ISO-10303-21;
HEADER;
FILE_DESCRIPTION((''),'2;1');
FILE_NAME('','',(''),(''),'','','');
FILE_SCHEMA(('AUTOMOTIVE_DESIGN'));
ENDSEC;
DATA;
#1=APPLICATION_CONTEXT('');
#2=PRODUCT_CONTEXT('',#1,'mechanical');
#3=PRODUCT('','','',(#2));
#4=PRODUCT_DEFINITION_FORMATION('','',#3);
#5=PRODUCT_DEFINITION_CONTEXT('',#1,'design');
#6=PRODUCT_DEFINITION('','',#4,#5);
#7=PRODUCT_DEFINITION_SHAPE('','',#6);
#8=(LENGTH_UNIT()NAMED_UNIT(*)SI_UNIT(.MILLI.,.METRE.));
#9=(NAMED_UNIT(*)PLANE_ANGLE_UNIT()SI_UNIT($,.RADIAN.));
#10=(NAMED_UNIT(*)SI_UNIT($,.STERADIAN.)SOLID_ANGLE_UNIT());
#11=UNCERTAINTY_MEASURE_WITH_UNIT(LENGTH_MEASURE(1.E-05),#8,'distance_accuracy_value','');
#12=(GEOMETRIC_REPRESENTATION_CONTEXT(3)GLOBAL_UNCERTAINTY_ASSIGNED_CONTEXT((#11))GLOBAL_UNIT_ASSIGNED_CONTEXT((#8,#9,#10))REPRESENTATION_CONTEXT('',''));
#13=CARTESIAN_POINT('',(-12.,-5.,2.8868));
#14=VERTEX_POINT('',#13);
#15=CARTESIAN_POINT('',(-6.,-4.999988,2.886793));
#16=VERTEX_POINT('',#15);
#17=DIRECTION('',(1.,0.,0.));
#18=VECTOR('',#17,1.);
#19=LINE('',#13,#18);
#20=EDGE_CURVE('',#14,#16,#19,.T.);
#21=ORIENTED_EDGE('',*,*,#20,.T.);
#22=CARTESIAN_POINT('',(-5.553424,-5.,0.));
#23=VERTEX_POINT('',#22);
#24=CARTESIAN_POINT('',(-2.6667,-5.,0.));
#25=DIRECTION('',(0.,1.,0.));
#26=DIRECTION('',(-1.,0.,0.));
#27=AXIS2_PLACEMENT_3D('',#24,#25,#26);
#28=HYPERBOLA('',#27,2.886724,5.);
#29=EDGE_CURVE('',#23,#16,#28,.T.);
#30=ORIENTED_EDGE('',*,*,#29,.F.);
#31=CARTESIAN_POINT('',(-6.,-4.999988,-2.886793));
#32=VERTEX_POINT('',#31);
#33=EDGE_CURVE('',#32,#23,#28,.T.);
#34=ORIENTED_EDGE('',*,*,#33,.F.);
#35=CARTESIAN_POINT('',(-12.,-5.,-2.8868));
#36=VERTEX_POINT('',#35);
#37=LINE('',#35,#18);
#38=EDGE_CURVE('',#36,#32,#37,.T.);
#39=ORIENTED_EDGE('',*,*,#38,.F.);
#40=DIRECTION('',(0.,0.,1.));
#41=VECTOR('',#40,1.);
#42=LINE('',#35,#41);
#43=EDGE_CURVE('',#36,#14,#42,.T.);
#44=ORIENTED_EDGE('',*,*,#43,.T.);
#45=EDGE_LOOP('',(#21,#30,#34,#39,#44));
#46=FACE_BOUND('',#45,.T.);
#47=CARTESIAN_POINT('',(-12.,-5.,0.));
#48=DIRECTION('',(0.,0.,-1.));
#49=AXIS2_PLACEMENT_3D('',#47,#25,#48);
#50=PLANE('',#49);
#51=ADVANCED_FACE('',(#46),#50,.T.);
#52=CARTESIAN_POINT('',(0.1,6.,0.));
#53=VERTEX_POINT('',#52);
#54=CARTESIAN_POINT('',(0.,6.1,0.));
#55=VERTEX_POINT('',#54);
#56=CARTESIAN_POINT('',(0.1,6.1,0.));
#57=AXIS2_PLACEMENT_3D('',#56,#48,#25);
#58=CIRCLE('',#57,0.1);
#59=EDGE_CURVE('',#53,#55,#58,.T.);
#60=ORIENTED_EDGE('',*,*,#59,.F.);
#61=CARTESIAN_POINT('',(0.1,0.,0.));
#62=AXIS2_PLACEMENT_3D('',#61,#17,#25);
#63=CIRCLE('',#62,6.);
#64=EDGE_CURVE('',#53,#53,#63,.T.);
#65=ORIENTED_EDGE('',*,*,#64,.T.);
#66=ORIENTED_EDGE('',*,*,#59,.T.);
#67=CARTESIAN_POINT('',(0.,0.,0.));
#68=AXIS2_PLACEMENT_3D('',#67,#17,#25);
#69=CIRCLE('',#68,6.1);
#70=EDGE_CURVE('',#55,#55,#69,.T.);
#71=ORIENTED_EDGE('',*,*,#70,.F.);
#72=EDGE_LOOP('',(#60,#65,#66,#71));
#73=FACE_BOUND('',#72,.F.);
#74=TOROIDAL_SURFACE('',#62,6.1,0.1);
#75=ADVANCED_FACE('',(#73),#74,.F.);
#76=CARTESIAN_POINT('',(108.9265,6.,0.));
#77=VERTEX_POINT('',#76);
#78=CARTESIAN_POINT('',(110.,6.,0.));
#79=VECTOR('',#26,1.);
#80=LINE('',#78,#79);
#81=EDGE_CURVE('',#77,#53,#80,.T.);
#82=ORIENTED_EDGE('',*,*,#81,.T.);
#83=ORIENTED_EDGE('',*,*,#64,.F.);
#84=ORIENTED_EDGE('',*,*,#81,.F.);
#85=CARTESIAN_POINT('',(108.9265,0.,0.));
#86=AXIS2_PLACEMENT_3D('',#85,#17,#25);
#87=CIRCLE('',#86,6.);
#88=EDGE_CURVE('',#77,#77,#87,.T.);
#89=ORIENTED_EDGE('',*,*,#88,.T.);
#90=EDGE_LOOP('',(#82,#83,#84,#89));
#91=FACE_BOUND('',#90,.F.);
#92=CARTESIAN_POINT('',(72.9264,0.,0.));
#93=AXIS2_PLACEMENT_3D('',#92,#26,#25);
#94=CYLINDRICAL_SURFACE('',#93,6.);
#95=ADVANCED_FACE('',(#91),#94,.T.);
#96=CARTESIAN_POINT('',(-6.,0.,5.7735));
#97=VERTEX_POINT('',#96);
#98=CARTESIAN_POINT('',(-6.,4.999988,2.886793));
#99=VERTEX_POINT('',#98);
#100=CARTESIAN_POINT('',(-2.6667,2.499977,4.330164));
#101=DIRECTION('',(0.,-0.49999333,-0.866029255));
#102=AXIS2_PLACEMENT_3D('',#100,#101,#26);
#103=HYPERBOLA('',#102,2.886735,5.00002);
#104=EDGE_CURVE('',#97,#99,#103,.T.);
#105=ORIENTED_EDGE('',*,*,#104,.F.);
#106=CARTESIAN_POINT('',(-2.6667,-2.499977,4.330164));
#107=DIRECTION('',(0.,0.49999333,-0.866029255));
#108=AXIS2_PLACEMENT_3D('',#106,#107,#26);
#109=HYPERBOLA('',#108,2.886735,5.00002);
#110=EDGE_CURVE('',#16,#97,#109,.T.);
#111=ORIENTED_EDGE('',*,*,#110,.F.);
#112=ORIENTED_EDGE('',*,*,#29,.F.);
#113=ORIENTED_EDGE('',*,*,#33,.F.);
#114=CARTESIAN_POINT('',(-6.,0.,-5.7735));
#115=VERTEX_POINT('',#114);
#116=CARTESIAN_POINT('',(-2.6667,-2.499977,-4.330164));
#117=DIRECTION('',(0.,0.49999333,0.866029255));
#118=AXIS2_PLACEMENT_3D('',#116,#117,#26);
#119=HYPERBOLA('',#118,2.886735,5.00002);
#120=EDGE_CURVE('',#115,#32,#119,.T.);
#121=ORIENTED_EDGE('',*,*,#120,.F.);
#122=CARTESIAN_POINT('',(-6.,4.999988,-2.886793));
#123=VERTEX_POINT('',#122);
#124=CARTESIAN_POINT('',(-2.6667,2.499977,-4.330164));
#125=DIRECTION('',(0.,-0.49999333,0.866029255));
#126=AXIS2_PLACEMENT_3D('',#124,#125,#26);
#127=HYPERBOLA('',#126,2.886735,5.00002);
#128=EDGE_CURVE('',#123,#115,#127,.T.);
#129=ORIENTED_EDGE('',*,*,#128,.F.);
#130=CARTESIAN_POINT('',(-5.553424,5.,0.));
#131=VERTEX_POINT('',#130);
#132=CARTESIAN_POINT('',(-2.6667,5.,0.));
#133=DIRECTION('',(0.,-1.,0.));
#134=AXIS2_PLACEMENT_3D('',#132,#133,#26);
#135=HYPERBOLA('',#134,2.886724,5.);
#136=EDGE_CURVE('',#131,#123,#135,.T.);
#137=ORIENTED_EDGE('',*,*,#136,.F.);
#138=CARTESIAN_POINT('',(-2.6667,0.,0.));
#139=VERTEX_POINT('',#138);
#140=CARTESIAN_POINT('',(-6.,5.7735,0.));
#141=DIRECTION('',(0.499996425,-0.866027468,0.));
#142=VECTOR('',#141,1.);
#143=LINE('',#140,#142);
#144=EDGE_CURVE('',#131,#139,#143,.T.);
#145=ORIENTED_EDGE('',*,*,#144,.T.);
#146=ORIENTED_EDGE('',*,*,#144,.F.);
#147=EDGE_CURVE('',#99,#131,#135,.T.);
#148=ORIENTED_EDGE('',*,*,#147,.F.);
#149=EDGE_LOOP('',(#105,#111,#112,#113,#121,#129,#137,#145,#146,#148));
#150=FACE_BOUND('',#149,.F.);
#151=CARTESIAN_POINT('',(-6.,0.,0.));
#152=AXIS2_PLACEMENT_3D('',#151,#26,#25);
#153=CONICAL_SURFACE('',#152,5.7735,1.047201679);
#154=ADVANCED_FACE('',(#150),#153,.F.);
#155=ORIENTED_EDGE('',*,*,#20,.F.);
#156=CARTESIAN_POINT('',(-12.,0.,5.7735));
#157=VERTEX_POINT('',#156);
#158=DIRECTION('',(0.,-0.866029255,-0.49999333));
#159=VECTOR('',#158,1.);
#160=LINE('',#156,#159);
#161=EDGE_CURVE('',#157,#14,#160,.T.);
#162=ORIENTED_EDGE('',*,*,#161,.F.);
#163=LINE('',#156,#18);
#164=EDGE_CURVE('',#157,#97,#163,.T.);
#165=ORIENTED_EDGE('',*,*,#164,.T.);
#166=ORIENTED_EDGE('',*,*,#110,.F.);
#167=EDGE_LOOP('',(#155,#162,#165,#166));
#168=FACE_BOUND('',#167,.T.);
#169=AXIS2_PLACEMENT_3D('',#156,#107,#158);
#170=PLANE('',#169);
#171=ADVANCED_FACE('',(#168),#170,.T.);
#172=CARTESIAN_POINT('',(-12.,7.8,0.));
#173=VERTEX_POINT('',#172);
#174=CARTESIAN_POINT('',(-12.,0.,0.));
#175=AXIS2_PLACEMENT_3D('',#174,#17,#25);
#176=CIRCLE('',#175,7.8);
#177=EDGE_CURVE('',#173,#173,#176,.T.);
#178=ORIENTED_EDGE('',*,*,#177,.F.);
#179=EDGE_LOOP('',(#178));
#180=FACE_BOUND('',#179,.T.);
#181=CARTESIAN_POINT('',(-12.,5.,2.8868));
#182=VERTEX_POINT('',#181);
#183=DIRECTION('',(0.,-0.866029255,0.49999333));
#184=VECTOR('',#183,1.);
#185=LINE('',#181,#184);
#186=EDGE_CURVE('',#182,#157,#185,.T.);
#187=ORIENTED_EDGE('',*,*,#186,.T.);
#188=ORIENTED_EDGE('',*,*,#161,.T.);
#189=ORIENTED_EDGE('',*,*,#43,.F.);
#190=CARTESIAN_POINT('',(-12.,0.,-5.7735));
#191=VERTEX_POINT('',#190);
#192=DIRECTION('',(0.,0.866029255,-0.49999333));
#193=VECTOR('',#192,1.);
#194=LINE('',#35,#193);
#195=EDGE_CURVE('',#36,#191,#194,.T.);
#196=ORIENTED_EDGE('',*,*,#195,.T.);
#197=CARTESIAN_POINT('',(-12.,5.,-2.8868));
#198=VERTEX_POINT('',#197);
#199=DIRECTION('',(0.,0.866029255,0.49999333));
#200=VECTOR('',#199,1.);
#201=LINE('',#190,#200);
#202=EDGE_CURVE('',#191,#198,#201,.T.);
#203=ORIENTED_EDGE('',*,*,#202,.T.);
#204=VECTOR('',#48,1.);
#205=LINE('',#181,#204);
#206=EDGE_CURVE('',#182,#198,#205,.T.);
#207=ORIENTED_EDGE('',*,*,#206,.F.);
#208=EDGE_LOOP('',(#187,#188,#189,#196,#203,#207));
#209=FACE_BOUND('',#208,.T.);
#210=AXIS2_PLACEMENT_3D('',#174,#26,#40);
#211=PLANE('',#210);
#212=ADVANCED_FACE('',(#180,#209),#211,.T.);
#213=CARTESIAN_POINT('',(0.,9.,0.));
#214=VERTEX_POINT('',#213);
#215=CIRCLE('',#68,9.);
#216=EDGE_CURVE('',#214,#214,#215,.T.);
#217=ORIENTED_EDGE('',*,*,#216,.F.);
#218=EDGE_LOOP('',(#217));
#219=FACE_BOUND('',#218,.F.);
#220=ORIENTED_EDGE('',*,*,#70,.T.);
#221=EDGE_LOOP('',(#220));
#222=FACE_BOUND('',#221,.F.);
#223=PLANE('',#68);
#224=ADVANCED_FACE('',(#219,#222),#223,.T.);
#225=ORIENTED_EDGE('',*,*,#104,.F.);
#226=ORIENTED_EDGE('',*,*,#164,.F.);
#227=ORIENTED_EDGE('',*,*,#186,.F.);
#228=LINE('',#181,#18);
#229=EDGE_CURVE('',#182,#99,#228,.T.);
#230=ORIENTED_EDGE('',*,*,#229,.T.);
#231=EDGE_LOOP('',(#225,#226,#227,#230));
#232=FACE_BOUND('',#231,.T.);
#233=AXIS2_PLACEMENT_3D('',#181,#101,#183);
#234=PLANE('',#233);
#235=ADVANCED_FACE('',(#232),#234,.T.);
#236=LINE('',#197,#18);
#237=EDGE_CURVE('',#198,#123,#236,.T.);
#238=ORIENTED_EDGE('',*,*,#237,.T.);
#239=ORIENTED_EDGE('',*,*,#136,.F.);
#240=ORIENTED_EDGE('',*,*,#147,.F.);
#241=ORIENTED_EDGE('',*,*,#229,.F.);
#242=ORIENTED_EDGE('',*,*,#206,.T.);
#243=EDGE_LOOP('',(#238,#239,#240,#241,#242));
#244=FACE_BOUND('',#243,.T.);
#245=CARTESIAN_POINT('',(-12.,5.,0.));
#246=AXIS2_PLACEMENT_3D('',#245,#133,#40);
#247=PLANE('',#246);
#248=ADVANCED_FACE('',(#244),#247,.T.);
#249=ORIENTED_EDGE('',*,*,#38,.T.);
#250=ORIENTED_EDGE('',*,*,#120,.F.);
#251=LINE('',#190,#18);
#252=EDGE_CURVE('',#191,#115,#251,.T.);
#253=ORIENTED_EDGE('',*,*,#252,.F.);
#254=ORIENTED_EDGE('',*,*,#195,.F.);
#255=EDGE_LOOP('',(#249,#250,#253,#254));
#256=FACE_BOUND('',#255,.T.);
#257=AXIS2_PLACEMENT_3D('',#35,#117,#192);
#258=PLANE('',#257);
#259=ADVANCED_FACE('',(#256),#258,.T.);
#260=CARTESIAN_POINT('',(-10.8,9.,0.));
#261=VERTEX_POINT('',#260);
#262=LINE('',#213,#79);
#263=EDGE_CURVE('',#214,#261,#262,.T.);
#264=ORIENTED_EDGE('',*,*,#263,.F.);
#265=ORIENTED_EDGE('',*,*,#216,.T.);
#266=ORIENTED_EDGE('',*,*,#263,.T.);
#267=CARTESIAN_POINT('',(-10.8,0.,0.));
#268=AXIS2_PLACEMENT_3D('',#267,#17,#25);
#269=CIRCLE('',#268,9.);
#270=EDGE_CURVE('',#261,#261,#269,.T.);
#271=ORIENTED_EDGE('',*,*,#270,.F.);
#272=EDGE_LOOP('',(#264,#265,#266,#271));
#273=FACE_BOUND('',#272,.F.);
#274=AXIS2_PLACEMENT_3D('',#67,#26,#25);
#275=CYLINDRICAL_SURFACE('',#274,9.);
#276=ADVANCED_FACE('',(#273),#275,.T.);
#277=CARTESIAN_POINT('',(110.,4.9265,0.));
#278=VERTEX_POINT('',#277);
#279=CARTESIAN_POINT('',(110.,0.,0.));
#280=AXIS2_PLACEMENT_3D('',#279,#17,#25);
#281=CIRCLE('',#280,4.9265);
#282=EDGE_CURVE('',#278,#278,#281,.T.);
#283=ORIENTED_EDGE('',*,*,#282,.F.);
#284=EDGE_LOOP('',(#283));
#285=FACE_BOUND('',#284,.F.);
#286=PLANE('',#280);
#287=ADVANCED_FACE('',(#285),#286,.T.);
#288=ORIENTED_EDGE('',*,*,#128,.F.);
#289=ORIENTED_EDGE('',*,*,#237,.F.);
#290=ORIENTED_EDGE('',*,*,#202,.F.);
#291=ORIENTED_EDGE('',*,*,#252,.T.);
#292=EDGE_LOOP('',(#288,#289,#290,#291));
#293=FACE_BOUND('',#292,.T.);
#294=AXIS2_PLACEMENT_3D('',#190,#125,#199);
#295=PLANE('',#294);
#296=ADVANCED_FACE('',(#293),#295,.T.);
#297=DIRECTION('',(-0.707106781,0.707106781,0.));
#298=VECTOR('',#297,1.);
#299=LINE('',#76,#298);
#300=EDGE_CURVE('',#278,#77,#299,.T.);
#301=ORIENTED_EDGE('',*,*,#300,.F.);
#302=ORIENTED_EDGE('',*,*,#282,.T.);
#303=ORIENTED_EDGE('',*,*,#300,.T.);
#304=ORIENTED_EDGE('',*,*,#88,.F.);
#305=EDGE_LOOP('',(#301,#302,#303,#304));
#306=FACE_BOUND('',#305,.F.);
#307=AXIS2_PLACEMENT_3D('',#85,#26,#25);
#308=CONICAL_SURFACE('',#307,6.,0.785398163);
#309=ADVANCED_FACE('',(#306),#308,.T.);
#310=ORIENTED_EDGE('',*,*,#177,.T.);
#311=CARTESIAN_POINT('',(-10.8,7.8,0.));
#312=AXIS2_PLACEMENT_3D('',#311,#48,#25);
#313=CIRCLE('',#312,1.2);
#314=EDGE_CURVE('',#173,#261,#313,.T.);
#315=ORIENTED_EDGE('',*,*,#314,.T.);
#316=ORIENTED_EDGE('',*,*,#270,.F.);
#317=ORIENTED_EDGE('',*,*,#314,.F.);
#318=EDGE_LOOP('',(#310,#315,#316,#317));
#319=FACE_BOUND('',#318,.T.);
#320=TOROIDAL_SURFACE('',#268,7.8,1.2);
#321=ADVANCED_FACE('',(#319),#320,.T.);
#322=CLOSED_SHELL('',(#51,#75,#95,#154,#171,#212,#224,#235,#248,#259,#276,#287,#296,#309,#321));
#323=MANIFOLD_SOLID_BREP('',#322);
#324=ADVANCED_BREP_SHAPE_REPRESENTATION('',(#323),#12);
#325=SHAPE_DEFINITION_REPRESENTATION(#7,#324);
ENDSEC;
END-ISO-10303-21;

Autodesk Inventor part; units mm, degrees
ref_plane "YZ Plane" through (0, 0, 0) normal (1, 0, 0) x (0, 1, 0)
ref_plane "XZ Plane" through (0, 0, 0) normal (0, 1, 0) x (-1, 0, 0)
sketch "Rascunho1" plane through (0, 0, 0) normal (0, 0, 1) x (1, 0, 0)
  line L0 (-2.6667, 0) -> (110, 0)
  line L1 (110, 0) -> (110, 6)
  line L2 (110, 6) -> (74, 6)
  line L3 (74, 6) -> (72.9264, 6)
  line L4 (72.9264, 6) -> (0, 6)
  line L5 (0, 6) -> (0, 9)
  line L6 (0, 9) -> (-12, 9)
  line L7 (-12, 9) -> (-12, 5.7735)
  line L8 (-12, 5.7735) -> (-6, 5.7735)
  line L9 (-6, 5.7735) -> (-2.6667, 0)
  line L10 (-34.4, 0) -> (122.4, 0) projected
  line L11 (0, -1.8) -> (0, 10.8) projected
  line L12 (74, 6) -> (0, 6) construction
  dimension "d1" = 36
  dimension "d2" = 1.0736
  dimension "d3" = 12
  dimension "d4" = 6
  dimension "d5" = 60
  dimension "d6" = 12
  dimension "d7" = 12
  dimension "d8" = 11.547
  dimension "d9" = 18
  dimension "d26" = 110
revolve "Corpo" add sketch "Rascunho1" angle 360 about axis through (-2.6667, 0, 0) along (1, 0, 0)
sketch "Rascunho2" plane through (-12, 0, 0) normal (-1, 0, 0) x (0, 0, 1)
  circle A0 centre (0, 0) radius 5.7735 projected
  line L0 (0, -12.6) -> (0, 12.6) projected
  line L1 (-12.6, 0) -> (12.6, 0) projected
  line L2 (5.7735, 0) -> (2.8868, -5)
  line L3 (2.8868, -5) -> (-2.8868, -5)
  line L4 (-2.8868, -5) -> (-5.7735, 0)
  line L5 (-5.7735, 0) -> (-2.8868, 5)
  line L6 (-2.8868, 5) -> (2.8868, 5)
  line L7 (2.8868, 5) -> (5.7735, 0)
extrude "Fenda" add sketch "Rascunho2" against normal up to next contours L7 A0 | A0 L2 | L6 L0 A0 | A0 L0 L3 | L0 L6 A0 | A0 L3 L0 | L4 A0 | A0 L5
fillet "Raio de arredondamento1" radius 1.2 1 edges at (-12, -9, 0)
thread "Rosca" size "M12x1.75" class "6g" standard "ANSI Metric M Profile" length 36
chamfer "Chanfrar1" distance 1.0735 distance2 1.0735 1 edges at (110, -6, 0) measured on face at (110, 1.8579, 1.646)
ref_plane "Work Plane1" through (29, 0, 0) normal (0, -1, 0) x (1, 0, 0)
fillet "Fillet2" radius 0.1 1 edges at (0, -6, 0)
equation "\"d1\" = GEL"
equation "\"d3\" = KOH"
equation "\"d4\" = INTI"
equation "\"d6\" = GD"
equation "\"d7\" = BDM"
equation "\"d8\" = 1.1547 * SW"
equation "\"d9\" = KOD"
equation "\"d26\" = NLG"
equation "\"d17\" = RR"
equation "\"d13\" = GEL"
equation "\"d15\" = -0.5 * SPD + 0.5 * GD"
equation "\"d16\" = GUL"
equation "\"d30\" = R"
equation "\"GD\" = NND"
equation "\"NLG\" = 110"
equation "\"GEL\" = 36"
equation "\"KOD\" = 18"
equation "\"KOH\" = 12"
equation "\"INTI\" = 6"
equation "\"GAL\" = 0.61345 * PTC"
equation "\"GUL\" = 0.61345 * PTC"
equation "\"BDM\" = NND"
equation "\"RR\" = 1.2"
equation "\"SPD\" = NND - 1.2269 * PTC"
equation "\"R\" = 0.1"
equation "\"TOA\" = 30deg"
equation "\"GD1\" = THREADDIA - 1.2269 * PTC"
equation "\"THREADDIA\" = 12"
equation "\"FAWI\" = 45deg"
equation "\"ANG\" = 120deg"
equation "\"PTC\" = 1.75"
equation "\"NND\" = 12"
equation "\"E0\" = 1.155 * SW"
equation "\"SW\" = 10"
properties part number "DIN 912 - M12x110" material "Aço Inox AISI 304"
